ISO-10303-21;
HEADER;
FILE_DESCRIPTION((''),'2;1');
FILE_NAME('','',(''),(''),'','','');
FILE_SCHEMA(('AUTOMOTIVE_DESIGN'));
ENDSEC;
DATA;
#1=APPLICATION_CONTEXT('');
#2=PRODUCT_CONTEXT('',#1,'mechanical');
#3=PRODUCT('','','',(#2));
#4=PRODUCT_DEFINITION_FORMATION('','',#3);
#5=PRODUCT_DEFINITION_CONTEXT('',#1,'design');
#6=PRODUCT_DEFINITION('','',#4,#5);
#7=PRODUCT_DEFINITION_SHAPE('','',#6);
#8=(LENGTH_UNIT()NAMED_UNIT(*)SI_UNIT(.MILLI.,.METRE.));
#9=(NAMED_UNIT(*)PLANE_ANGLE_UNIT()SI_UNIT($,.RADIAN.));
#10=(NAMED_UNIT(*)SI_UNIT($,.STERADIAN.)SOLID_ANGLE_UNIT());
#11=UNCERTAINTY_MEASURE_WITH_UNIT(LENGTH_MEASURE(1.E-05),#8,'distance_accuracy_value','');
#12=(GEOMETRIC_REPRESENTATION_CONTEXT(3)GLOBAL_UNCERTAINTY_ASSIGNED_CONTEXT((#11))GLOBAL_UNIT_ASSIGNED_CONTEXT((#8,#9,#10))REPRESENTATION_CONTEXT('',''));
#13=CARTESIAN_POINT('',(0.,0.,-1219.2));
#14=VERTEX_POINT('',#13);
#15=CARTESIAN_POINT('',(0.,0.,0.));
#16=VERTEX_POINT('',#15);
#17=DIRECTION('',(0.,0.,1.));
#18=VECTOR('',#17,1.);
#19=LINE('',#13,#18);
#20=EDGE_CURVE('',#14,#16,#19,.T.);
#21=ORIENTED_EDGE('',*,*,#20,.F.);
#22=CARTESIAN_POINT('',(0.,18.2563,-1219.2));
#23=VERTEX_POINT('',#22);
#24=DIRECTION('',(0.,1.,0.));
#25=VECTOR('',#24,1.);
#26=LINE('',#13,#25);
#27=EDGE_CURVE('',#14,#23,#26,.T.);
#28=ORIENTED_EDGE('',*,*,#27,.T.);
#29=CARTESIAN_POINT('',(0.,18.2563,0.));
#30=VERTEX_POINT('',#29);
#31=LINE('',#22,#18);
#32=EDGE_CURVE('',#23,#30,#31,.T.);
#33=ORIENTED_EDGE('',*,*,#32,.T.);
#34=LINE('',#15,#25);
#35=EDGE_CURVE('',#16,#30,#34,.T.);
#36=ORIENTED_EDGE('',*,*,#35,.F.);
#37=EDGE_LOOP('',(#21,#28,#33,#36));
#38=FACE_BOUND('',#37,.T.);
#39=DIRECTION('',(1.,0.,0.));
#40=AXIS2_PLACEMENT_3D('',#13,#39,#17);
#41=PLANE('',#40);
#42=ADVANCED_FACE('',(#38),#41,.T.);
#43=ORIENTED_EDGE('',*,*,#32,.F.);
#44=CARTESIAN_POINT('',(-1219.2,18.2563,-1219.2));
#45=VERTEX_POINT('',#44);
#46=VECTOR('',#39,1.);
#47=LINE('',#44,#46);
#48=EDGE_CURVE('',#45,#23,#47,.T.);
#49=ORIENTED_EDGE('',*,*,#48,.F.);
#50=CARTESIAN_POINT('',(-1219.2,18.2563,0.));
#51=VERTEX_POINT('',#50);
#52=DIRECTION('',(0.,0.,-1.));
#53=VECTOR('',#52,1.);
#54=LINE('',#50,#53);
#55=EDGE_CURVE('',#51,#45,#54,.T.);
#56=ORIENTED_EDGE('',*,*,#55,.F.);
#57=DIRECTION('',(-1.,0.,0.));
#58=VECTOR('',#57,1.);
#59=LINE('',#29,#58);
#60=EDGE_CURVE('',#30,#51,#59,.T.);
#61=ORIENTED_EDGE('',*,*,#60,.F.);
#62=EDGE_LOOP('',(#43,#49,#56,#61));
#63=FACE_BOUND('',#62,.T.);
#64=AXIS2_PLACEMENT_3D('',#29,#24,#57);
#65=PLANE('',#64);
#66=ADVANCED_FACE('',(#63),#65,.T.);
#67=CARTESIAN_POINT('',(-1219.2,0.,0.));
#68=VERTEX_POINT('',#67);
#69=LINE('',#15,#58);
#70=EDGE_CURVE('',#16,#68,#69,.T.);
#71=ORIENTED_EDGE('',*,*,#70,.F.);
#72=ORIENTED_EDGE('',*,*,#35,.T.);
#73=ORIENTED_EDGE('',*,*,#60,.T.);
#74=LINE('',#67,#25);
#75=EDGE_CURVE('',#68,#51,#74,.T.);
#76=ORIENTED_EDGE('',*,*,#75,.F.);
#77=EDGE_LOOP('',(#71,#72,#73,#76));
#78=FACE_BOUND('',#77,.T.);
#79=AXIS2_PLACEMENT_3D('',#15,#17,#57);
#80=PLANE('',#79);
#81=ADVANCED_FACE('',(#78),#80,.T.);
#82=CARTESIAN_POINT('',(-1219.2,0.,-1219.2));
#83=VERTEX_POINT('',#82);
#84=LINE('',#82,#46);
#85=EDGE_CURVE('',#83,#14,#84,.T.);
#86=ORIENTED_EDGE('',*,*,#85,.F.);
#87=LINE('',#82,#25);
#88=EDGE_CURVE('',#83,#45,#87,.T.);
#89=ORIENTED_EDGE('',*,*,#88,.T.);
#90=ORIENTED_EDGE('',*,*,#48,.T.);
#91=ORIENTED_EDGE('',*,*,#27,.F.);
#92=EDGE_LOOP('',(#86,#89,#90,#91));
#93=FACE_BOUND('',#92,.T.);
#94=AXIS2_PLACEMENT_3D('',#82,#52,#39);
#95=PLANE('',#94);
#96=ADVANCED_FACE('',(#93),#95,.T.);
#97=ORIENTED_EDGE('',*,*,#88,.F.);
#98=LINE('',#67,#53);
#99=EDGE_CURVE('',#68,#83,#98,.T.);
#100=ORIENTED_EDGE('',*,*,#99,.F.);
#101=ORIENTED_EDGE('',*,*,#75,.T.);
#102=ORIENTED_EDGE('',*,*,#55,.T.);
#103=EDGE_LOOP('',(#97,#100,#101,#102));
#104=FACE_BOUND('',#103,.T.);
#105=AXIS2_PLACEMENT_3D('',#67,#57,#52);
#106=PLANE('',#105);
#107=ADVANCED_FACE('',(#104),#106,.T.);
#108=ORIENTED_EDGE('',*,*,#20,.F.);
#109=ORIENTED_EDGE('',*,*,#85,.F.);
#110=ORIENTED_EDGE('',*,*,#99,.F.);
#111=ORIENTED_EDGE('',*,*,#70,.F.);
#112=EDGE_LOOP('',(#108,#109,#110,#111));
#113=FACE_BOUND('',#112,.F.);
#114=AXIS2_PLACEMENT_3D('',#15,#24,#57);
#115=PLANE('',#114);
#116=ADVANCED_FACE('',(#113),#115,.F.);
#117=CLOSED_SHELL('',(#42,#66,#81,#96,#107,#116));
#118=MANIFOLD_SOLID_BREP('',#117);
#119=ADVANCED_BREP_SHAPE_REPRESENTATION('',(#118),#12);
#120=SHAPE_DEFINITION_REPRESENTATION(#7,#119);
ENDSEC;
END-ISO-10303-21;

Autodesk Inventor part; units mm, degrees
ref_plane "YZ Plane" through (0, 0, 0) normal (1, 0, 0) x (0, 1, 0)
ref_plane "XZ Plane" through (0, 0, 0) normal (0, 1, 0) x (-1, 0, 0)
ref_plane "XY Plane" through (0, 0, 0) normal (0, 0, 1) x (1, 0, 0)
sketch "Sketch1" plane through (0, 0, 0) normal (0, 1, 0) x (-1, 0, 0)
  line L0 (0, 0) -> (1219.2, 0)
  line L1 (1219.2, 0) -> (1219.2, -1219.2)
  line L2 (1219.2, -1219.2) -> (0, -1219.2)
  line L3 (0, -1219.2) -> (0, 0)
  dimension "d2" = 1219.2
  dimension "d3" = 1219.2
extrude "Extrusion1" add sketch "Sketch1" along normal blind 18.2563
properties part number "OSB_For_Subfloor" material "Wood (Birch)"
